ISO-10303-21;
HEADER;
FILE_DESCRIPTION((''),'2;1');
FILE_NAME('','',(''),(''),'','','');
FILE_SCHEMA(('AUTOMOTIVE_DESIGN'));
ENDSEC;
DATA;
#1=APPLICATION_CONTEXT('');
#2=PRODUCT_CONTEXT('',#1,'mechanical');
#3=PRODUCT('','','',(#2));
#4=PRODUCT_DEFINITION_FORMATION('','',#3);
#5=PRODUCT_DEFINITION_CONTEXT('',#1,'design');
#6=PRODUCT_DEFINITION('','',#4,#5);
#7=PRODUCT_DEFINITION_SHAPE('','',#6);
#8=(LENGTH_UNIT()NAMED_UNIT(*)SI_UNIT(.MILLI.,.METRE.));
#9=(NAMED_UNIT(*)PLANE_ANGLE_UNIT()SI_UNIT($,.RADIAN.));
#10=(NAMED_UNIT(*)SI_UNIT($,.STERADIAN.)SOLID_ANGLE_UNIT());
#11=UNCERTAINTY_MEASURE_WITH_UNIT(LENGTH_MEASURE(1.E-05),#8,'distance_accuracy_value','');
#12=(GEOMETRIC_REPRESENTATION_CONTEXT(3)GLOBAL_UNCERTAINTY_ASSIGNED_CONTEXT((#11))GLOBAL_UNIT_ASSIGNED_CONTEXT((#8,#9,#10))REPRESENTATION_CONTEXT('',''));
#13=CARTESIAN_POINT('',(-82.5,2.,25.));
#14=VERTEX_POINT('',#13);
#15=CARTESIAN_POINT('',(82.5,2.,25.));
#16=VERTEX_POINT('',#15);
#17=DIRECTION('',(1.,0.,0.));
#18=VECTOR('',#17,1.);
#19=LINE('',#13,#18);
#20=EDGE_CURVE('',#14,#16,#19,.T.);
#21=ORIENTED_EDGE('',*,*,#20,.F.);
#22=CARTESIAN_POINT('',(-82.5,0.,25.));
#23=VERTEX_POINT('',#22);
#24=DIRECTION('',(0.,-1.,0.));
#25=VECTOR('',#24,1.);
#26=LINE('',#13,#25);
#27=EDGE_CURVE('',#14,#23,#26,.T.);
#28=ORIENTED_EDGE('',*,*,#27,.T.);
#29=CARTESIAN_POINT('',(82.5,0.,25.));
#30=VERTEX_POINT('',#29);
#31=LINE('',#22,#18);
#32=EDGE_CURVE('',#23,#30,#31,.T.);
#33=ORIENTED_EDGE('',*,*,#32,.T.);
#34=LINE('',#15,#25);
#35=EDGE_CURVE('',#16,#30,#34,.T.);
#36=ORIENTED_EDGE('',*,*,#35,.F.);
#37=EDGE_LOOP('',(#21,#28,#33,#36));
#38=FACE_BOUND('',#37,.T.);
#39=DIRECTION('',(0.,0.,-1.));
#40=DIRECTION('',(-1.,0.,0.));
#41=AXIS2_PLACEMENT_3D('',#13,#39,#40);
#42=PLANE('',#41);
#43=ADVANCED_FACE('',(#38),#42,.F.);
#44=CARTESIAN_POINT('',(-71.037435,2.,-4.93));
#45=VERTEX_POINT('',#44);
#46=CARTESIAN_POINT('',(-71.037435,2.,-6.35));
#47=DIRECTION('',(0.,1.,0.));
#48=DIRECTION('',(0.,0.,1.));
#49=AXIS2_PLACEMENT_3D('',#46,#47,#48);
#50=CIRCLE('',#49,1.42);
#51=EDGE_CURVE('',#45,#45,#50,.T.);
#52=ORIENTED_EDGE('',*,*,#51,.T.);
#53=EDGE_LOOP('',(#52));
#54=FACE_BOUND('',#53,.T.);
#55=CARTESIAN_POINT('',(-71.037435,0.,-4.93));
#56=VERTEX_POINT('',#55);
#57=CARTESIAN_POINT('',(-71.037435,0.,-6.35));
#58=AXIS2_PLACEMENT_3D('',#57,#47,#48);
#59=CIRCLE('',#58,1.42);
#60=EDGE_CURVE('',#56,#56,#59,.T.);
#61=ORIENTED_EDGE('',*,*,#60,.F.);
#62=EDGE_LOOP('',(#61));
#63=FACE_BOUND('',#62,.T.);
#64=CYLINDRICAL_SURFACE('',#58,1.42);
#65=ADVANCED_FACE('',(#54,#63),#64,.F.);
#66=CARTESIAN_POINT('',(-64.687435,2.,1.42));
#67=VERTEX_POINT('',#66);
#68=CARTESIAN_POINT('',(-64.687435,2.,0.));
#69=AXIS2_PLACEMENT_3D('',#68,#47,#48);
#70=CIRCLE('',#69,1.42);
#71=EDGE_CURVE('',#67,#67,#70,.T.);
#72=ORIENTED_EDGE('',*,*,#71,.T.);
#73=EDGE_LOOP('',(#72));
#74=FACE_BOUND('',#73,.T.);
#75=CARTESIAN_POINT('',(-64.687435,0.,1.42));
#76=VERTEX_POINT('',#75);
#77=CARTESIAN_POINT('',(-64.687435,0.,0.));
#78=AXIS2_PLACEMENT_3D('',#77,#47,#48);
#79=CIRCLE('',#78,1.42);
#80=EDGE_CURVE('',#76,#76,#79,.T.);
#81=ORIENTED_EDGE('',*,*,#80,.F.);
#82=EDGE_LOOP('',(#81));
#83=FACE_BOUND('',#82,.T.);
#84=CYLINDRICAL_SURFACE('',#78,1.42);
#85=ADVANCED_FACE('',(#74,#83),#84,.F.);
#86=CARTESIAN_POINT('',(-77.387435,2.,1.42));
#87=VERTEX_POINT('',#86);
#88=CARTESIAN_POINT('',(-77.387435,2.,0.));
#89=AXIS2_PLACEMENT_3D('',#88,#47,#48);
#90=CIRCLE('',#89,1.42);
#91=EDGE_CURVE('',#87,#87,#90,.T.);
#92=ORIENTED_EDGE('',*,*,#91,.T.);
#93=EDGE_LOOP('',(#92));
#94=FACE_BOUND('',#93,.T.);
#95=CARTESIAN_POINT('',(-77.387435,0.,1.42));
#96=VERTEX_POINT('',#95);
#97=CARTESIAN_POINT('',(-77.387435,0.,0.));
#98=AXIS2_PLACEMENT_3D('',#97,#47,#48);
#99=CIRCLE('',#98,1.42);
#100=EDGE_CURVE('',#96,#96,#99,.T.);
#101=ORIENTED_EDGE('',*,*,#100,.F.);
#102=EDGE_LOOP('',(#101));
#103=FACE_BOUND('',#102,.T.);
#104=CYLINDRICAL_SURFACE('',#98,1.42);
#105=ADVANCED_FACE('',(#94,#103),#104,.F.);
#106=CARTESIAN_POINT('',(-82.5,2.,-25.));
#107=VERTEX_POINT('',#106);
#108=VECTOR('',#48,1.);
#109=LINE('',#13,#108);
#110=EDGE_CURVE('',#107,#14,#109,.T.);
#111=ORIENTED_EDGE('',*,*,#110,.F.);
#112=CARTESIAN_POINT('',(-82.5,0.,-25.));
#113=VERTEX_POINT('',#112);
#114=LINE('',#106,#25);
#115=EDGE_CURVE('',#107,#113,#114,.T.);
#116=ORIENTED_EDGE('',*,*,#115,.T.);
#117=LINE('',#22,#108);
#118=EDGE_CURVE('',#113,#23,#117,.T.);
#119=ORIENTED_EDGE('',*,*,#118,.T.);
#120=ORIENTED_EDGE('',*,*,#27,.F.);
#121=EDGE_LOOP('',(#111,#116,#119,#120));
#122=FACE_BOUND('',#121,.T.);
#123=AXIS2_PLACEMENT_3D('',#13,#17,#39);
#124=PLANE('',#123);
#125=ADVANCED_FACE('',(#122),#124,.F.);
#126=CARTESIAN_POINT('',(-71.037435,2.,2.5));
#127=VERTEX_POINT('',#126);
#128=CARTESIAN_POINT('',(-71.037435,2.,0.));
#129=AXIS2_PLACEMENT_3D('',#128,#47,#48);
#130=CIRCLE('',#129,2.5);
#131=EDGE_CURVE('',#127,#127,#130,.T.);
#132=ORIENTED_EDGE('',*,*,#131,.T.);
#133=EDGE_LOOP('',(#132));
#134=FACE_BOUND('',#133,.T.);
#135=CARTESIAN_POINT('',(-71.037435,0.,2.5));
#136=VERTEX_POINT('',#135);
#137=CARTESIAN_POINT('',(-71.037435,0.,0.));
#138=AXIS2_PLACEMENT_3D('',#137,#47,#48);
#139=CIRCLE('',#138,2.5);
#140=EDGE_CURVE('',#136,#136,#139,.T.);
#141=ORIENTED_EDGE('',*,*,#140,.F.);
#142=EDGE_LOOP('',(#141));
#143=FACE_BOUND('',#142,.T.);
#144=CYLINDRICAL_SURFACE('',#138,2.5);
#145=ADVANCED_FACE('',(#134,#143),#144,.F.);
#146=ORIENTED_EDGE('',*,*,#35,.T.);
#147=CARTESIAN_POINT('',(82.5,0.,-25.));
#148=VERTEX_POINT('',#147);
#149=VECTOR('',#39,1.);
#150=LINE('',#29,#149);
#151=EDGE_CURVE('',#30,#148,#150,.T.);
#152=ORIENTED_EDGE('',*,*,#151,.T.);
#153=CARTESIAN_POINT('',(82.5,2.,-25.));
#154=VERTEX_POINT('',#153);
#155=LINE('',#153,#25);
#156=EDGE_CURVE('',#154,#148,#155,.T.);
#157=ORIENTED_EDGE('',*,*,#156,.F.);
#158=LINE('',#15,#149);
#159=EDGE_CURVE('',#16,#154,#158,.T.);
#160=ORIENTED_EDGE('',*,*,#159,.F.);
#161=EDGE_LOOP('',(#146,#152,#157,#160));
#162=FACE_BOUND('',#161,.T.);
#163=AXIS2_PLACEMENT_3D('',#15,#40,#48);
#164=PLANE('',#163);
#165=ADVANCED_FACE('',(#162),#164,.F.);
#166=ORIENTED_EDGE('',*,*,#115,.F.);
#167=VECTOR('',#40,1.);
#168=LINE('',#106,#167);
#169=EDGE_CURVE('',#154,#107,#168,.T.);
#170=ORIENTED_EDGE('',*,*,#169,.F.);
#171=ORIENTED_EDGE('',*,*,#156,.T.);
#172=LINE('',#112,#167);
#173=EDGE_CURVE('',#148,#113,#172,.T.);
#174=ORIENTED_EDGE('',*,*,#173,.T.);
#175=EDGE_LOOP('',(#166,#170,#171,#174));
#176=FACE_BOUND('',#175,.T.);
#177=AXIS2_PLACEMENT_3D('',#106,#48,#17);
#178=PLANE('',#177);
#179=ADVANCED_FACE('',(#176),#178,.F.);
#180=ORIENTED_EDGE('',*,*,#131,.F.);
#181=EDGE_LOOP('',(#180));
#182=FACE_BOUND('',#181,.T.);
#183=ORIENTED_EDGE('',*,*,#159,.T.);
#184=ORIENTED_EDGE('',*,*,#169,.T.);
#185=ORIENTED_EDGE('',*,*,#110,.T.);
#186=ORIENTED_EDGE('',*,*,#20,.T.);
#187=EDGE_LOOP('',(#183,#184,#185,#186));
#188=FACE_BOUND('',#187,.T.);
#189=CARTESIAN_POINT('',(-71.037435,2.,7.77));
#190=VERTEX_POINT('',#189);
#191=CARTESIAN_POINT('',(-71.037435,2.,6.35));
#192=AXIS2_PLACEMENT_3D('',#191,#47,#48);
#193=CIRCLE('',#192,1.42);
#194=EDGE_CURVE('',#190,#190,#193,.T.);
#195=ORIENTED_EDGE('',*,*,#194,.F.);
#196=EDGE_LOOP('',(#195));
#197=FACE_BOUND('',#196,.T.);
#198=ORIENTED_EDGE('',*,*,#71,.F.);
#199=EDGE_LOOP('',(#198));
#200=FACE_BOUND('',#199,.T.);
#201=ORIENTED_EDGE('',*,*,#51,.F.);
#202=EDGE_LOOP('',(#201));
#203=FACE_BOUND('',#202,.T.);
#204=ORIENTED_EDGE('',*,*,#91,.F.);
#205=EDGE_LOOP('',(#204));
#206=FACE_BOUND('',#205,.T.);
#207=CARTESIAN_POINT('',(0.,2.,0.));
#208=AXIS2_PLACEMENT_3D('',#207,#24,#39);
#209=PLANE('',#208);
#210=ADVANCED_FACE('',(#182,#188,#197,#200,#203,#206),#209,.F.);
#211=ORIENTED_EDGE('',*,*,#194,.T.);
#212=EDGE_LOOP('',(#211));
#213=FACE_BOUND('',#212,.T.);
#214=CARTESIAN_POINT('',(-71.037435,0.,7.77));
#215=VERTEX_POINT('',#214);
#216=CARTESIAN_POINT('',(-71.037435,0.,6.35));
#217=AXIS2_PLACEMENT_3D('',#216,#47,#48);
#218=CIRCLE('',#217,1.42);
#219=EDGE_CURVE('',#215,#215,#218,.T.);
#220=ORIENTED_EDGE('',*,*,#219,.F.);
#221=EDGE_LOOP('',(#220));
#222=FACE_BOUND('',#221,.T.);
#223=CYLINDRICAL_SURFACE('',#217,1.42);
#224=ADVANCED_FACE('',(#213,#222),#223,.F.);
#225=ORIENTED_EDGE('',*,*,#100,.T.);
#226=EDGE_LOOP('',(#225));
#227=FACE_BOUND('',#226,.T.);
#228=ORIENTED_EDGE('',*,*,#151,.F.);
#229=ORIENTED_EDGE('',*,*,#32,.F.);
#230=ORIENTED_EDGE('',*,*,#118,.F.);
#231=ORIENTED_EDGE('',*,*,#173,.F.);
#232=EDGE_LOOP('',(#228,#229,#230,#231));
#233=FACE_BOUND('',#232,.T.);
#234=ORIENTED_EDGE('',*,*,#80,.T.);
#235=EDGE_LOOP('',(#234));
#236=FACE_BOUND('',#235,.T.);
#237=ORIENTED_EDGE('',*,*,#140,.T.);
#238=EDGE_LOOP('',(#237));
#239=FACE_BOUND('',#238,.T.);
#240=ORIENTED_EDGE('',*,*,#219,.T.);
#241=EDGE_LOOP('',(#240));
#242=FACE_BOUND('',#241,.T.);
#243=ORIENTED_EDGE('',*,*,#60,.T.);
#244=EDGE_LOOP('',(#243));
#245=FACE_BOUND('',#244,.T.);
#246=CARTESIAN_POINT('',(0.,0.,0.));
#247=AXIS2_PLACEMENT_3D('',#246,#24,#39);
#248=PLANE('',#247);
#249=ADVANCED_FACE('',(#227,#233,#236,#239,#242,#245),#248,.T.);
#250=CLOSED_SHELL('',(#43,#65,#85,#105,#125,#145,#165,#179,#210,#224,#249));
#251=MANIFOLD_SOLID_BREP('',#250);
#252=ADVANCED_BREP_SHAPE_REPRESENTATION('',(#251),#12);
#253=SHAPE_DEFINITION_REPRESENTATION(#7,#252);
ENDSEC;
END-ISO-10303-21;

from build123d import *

# Parameters (mm, degrees)
SKETCH1_W           = 165
SKETCH1_H           = 50
BOSS_EXTRUDE1_DEPTH = 2
SKETCH2_R           = 2.5
SKETCH2_R_2         = 1.42
CUT_EXTRUDE1_DEPTH  = 2


with BuildPart() as part:
    # Sketch1 → Boss-Extrude1 (new body)
    with BuildSketch(Plane(origin=(0, 0, 0), x_dir=(1, 0, 0), z_dir=(0, 1, 0))):
        Rectangle(SKETCH1_W, SKETCH1_H)
    extrude(amount=BOSS_EXTRUDE1_DEPTH)

    # Sketch2 → Cut-Extrude1 (cut)
    with BuildSketch(Plane(origin=(0, 2, 0), x_dir=(1, 0, 0), z_dir=(0, 1, 0))):
        with Locations(Location((-71.037435181, 0, 0), (0, 0, 270))):
            Circle(SKETCH2_R)
        with Locations(Location((-71.037435181, 6.35, 0), (0, 0, 270))):
            Circle(SKETCH2_R_2)
        with Locations(Location((-77.387435181, 0, 0), (0, 0, 270))):
            Circle(SKETCH2_R_2)
        with Locations(Location((-71.037435181, -6.35, 0), (0, 0, 270))):
            Circle(SKETCH2_R_2)
        with Locations(Location((-64.687435181, 0, 0), (0, 0, 270))):
            Circle(SKETCH2_R_2)
    extrude(amount=-CUT_EXTRUDE1_DEPTH, mode=Mode.SUBTRACT)


solid = part.part
